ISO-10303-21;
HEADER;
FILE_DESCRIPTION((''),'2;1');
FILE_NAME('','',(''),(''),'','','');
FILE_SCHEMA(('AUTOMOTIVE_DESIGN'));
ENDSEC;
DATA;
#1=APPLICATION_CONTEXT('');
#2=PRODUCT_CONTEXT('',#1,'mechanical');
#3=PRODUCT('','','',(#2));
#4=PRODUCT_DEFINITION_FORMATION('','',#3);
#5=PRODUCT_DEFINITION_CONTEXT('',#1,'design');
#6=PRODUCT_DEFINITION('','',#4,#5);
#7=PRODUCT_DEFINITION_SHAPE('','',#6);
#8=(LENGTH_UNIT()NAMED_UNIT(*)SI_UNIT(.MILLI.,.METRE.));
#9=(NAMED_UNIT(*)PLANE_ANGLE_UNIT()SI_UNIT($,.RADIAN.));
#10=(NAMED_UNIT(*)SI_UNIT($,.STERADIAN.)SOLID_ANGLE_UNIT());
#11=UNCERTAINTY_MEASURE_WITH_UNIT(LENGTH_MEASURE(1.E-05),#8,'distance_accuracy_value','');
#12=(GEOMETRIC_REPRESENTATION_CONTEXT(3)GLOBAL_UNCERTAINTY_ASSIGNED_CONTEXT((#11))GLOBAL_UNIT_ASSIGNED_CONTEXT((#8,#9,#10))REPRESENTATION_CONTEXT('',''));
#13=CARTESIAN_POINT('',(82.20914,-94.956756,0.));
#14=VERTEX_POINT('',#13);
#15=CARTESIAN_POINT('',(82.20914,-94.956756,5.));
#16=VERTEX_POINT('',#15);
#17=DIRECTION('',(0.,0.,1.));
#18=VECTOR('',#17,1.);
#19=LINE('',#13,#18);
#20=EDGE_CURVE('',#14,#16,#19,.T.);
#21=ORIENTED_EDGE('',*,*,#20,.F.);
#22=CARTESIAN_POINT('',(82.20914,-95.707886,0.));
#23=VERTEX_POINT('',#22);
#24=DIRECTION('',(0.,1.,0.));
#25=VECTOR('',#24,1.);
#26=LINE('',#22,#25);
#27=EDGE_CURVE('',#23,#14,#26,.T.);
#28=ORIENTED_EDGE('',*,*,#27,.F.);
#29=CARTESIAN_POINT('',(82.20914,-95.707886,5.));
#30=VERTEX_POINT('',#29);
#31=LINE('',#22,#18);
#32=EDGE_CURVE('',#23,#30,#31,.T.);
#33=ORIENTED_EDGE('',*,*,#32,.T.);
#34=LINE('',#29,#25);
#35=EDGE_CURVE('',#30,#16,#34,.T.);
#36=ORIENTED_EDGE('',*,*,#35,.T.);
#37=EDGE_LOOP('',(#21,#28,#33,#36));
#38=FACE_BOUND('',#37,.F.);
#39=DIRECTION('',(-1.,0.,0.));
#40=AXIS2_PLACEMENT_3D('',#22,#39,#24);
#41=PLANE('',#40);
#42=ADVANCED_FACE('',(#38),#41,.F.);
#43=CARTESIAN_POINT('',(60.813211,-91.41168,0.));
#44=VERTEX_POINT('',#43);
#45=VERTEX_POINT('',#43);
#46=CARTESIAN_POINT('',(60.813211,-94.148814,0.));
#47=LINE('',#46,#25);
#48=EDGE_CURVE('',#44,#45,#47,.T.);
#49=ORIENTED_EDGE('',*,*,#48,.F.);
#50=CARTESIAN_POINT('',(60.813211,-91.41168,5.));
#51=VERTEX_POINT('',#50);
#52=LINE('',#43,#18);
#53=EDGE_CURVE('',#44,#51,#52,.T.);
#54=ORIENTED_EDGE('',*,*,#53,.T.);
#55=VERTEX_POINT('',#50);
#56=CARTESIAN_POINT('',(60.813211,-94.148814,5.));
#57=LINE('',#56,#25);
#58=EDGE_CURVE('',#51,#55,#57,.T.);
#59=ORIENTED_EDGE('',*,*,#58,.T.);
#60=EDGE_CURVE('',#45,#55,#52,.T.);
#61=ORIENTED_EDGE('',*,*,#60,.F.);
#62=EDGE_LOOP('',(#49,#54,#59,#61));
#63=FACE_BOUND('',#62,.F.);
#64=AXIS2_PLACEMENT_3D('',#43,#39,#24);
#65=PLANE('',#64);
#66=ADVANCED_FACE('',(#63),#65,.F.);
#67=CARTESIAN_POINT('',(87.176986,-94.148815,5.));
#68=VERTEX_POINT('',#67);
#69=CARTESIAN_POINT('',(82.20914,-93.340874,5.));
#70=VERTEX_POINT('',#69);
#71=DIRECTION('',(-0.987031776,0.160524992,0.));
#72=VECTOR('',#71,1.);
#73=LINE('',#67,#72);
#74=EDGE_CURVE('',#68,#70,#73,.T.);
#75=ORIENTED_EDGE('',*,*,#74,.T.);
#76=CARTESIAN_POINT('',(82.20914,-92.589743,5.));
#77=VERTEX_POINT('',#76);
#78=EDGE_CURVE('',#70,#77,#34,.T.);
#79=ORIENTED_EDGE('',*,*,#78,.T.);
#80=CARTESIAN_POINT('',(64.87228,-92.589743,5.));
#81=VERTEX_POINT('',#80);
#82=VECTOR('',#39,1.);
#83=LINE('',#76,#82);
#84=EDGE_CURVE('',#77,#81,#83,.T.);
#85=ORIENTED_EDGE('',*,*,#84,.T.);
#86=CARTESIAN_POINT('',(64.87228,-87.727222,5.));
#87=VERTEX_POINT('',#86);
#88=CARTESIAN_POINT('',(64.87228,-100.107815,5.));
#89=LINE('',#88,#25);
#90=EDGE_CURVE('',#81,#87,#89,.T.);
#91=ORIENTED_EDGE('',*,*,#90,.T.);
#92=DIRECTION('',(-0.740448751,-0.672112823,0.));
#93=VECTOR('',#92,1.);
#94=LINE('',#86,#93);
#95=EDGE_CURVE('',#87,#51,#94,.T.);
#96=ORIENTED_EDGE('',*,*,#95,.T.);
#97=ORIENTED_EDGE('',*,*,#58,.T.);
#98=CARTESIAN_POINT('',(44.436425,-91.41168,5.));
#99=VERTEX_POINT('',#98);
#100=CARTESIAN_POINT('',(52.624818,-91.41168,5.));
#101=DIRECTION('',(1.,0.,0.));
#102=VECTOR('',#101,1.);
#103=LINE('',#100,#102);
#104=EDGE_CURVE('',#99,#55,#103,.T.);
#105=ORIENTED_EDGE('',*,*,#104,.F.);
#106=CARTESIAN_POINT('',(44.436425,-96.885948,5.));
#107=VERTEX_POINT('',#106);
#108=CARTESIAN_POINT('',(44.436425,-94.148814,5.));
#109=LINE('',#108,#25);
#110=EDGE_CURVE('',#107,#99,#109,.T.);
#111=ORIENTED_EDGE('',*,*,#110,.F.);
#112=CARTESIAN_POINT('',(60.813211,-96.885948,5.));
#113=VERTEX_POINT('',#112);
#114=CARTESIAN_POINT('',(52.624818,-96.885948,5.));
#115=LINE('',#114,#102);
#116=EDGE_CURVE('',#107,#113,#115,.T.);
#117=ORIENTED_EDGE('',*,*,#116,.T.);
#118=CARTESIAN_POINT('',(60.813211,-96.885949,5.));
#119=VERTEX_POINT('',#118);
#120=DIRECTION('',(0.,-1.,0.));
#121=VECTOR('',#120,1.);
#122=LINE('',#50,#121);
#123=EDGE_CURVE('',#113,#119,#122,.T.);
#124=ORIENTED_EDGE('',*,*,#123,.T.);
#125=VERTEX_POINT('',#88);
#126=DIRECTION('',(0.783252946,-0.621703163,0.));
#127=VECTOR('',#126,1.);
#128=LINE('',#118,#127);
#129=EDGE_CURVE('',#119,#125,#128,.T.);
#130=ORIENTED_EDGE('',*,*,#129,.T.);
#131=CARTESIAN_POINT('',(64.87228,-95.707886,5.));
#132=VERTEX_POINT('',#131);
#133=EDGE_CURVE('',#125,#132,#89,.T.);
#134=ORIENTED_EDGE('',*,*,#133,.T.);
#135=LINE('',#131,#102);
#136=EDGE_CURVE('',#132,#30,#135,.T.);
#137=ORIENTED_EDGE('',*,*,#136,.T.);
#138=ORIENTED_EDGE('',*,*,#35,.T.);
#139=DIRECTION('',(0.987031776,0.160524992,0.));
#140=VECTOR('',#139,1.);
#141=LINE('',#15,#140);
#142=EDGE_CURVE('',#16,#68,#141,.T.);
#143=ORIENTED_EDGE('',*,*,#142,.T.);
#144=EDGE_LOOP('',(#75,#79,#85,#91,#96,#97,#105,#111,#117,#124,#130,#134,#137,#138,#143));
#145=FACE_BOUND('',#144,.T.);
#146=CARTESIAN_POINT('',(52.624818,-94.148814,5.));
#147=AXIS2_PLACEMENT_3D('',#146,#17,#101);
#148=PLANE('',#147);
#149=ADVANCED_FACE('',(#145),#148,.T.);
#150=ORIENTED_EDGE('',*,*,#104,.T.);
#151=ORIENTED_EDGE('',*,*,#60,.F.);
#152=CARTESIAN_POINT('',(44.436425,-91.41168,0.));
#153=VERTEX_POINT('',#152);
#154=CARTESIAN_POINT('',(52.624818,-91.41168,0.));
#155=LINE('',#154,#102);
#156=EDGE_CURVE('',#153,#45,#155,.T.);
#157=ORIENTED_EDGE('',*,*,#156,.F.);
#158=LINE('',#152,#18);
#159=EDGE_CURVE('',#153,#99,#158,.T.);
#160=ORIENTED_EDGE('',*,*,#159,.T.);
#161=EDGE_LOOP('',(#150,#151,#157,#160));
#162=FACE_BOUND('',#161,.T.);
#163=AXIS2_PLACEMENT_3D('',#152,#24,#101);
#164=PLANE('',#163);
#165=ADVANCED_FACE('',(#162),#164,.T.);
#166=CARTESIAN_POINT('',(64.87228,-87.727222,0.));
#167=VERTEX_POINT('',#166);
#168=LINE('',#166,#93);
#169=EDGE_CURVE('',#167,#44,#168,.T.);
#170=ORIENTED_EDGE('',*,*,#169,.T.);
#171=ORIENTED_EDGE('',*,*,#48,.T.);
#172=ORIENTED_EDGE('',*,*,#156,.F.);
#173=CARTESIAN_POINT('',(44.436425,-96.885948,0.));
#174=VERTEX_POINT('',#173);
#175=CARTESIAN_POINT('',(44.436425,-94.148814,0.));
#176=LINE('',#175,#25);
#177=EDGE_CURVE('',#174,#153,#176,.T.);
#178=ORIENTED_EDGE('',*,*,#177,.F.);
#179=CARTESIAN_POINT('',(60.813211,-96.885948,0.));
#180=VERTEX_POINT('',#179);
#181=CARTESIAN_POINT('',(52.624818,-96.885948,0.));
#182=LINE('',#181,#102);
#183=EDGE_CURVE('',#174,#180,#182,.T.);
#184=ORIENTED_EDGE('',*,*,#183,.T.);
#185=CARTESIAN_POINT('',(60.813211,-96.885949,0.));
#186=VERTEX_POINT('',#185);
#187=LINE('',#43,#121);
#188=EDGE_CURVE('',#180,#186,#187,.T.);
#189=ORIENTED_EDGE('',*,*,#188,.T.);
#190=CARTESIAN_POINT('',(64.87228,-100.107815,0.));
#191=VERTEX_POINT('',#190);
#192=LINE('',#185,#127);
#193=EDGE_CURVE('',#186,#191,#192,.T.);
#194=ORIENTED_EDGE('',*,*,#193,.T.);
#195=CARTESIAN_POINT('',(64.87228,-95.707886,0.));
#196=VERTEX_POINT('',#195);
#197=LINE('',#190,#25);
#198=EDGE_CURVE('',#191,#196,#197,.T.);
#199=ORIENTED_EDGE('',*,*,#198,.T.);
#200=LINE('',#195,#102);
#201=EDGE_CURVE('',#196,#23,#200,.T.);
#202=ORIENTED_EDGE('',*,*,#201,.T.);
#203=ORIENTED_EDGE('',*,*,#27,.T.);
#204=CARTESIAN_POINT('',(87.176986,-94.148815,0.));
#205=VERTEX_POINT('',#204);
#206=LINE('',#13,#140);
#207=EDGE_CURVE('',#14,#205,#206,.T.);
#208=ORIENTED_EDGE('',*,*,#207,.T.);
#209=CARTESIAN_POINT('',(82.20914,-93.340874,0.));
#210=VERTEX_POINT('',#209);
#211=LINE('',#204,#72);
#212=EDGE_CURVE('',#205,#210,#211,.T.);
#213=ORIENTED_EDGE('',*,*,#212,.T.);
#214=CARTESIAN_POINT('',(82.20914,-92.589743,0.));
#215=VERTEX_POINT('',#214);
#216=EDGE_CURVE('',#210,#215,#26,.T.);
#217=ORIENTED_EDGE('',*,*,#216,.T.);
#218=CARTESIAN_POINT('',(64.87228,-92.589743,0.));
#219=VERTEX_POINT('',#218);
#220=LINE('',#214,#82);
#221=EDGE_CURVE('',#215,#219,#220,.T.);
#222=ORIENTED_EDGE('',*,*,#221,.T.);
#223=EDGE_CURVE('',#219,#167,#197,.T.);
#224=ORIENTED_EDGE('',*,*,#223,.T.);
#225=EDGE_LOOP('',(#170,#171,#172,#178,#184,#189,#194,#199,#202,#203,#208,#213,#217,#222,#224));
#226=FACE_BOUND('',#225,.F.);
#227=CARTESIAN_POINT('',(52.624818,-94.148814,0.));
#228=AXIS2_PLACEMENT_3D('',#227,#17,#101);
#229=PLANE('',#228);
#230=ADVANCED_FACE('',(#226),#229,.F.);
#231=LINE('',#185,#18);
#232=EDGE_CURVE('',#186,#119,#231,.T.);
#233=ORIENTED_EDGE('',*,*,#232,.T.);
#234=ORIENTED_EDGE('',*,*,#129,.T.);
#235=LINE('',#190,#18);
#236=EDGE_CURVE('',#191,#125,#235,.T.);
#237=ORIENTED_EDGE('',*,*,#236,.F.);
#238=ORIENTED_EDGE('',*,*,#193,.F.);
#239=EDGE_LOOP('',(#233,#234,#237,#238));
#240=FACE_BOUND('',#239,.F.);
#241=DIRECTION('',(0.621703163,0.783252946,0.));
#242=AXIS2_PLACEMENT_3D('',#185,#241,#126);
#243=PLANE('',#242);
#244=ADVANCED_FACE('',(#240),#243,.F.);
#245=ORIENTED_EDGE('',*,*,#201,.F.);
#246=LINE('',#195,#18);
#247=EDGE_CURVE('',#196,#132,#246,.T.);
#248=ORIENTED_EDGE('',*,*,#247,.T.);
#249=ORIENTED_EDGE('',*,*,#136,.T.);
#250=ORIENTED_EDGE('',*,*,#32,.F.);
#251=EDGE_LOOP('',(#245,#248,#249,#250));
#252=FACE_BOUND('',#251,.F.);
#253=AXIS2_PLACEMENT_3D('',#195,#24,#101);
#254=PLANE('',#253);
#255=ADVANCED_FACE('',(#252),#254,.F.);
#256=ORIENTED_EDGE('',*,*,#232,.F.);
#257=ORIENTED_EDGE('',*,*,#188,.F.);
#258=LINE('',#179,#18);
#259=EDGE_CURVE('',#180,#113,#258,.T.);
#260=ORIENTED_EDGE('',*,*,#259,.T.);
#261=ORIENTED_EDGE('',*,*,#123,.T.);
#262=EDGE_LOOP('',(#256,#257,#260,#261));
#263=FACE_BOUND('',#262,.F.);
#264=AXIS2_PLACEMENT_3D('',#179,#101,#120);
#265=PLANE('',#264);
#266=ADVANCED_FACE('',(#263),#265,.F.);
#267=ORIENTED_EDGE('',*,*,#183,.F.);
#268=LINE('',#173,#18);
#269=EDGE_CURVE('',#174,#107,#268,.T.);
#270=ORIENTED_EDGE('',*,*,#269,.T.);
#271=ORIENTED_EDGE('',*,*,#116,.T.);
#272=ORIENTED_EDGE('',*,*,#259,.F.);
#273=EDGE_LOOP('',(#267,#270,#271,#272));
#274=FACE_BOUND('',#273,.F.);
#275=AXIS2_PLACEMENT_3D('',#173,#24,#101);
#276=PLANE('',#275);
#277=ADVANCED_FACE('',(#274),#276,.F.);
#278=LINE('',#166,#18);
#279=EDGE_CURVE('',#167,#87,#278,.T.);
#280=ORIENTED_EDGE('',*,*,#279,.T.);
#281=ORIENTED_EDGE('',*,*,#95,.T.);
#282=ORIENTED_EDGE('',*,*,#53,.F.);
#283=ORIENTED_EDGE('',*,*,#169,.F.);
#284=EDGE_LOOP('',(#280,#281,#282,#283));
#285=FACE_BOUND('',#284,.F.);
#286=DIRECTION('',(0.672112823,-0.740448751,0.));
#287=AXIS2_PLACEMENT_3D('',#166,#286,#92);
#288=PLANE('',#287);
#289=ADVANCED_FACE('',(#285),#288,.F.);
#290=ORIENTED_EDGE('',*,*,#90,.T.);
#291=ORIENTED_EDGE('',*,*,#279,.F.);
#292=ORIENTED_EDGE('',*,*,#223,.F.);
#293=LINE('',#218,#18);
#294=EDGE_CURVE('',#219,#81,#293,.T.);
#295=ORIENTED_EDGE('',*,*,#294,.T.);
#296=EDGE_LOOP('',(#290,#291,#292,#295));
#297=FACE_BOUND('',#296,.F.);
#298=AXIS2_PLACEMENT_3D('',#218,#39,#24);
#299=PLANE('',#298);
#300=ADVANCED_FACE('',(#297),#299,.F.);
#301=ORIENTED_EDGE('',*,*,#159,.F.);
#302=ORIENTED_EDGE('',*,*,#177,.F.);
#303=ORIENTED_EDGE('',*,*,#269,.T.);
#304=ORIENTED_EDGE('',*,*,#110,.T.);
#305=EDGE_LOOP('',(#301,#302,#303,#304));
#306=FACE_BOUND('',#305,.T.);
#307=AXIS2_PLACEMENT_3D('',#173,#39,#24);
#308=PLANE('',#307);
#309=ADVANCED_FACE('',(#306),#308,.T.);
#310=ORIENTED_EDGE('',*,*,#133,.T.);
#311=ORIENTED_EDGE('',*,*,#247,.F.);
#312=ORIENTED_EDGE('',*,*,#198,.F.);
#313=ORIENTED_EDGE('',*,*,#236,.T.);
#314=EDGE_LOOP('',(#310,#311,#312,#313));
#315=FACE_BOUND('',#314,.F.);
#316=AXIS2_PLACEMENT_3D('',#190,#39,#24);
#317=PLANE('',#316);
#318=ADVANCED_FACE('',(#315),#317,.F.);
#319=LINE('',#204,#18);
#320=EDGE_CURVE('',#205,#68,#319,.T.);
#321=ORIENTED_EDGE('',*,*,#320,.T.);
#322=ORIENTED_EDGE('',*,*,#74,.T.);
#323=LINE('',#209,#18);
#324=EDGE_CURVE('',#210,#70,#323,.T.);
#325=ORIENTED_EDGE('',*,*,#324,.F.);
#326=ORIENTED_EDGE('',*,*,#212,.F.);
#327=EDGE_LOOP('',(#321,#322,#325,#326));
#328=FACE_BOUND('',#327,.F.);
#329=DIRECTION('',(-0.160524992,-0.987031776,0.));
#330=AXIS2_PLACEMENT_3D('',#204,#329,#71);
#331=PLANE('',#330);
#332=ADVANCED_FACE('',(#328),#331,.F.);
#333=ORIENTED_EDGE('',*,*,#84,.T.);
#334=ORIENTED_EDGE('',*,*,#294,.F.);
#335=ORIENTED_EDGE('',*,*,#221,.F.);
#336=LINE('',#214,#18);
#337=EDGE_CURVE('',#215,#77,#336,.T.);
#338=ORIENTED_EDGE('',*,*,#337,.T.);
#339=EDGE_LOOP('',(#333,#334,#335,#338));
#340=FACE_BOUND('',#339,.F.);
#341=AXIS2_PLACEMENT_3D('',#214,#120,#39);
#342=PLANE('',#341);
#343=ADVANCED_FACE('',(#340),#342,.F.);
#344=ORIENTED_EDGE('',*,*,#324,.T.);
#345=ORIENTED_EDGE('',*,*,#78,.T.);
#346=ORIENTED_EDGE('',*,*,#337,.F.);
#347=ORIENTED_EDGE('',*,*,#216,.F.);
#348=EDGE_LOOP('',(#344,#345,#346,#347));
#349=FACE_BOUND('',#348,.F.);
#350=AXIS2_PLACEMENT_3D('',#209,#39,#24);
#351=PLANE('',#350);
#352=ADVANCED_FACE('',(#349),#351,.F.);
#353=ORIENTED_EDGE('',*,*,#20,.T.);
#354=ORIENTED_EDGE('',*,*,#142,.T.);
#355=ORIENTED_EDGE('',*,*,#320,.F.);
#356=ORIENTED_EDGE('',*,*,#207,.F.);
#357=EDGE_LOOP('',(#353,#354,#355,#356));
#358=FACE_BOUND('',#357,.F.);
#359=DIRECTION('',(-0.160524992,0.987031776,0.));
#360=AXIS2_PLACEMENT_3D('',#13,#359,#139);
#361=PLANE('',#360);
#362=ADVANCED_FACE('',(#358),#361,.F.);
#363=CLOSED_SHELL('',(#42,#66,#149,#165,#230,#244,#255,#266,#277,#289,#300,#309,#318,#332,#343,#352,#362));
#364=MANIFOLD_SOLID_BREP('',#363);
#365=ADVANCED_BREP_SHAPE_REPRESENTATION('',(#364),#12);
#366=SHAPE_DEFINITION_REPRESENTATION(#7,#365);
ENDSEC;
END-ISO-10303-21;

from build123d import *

# Parameters (mm, degrees)
F1_W     = 16.376786
F1_H     = 5.474269
F2_DEPTH = 5


with BuildPart() as f2:
    # F1 (on face) → F2 (new body)
    with BuildSketch(Plane.XY):
        with Locations((52.624818, -94.148814)):
            Rectangle(F1_W, F1_H)
        Polygon((60.813211, -91.41168), (60.813211, -96.885949), (64.87228, -100.107815), (64.87228, -95.707886), (64.87228, -94.148815), (64.87228, -92.589743), (64.87228, -87.727222), align=None)
        Polygon((64.87228, -94.148815), (64.87228, -95.707886), (82.20914, -95.707886), (82.20914, -94.956756), (82.20914, -93.340874), (82.20914, -92.589743), (64.87228, -92.589743), align=None)
        Polygon((82.20914, -93.340874), (82.20914, -94.956756), (87.176986, -94.148815), align=None)
    extrude(amount=F2_DEPTH)


solid = f2.part
